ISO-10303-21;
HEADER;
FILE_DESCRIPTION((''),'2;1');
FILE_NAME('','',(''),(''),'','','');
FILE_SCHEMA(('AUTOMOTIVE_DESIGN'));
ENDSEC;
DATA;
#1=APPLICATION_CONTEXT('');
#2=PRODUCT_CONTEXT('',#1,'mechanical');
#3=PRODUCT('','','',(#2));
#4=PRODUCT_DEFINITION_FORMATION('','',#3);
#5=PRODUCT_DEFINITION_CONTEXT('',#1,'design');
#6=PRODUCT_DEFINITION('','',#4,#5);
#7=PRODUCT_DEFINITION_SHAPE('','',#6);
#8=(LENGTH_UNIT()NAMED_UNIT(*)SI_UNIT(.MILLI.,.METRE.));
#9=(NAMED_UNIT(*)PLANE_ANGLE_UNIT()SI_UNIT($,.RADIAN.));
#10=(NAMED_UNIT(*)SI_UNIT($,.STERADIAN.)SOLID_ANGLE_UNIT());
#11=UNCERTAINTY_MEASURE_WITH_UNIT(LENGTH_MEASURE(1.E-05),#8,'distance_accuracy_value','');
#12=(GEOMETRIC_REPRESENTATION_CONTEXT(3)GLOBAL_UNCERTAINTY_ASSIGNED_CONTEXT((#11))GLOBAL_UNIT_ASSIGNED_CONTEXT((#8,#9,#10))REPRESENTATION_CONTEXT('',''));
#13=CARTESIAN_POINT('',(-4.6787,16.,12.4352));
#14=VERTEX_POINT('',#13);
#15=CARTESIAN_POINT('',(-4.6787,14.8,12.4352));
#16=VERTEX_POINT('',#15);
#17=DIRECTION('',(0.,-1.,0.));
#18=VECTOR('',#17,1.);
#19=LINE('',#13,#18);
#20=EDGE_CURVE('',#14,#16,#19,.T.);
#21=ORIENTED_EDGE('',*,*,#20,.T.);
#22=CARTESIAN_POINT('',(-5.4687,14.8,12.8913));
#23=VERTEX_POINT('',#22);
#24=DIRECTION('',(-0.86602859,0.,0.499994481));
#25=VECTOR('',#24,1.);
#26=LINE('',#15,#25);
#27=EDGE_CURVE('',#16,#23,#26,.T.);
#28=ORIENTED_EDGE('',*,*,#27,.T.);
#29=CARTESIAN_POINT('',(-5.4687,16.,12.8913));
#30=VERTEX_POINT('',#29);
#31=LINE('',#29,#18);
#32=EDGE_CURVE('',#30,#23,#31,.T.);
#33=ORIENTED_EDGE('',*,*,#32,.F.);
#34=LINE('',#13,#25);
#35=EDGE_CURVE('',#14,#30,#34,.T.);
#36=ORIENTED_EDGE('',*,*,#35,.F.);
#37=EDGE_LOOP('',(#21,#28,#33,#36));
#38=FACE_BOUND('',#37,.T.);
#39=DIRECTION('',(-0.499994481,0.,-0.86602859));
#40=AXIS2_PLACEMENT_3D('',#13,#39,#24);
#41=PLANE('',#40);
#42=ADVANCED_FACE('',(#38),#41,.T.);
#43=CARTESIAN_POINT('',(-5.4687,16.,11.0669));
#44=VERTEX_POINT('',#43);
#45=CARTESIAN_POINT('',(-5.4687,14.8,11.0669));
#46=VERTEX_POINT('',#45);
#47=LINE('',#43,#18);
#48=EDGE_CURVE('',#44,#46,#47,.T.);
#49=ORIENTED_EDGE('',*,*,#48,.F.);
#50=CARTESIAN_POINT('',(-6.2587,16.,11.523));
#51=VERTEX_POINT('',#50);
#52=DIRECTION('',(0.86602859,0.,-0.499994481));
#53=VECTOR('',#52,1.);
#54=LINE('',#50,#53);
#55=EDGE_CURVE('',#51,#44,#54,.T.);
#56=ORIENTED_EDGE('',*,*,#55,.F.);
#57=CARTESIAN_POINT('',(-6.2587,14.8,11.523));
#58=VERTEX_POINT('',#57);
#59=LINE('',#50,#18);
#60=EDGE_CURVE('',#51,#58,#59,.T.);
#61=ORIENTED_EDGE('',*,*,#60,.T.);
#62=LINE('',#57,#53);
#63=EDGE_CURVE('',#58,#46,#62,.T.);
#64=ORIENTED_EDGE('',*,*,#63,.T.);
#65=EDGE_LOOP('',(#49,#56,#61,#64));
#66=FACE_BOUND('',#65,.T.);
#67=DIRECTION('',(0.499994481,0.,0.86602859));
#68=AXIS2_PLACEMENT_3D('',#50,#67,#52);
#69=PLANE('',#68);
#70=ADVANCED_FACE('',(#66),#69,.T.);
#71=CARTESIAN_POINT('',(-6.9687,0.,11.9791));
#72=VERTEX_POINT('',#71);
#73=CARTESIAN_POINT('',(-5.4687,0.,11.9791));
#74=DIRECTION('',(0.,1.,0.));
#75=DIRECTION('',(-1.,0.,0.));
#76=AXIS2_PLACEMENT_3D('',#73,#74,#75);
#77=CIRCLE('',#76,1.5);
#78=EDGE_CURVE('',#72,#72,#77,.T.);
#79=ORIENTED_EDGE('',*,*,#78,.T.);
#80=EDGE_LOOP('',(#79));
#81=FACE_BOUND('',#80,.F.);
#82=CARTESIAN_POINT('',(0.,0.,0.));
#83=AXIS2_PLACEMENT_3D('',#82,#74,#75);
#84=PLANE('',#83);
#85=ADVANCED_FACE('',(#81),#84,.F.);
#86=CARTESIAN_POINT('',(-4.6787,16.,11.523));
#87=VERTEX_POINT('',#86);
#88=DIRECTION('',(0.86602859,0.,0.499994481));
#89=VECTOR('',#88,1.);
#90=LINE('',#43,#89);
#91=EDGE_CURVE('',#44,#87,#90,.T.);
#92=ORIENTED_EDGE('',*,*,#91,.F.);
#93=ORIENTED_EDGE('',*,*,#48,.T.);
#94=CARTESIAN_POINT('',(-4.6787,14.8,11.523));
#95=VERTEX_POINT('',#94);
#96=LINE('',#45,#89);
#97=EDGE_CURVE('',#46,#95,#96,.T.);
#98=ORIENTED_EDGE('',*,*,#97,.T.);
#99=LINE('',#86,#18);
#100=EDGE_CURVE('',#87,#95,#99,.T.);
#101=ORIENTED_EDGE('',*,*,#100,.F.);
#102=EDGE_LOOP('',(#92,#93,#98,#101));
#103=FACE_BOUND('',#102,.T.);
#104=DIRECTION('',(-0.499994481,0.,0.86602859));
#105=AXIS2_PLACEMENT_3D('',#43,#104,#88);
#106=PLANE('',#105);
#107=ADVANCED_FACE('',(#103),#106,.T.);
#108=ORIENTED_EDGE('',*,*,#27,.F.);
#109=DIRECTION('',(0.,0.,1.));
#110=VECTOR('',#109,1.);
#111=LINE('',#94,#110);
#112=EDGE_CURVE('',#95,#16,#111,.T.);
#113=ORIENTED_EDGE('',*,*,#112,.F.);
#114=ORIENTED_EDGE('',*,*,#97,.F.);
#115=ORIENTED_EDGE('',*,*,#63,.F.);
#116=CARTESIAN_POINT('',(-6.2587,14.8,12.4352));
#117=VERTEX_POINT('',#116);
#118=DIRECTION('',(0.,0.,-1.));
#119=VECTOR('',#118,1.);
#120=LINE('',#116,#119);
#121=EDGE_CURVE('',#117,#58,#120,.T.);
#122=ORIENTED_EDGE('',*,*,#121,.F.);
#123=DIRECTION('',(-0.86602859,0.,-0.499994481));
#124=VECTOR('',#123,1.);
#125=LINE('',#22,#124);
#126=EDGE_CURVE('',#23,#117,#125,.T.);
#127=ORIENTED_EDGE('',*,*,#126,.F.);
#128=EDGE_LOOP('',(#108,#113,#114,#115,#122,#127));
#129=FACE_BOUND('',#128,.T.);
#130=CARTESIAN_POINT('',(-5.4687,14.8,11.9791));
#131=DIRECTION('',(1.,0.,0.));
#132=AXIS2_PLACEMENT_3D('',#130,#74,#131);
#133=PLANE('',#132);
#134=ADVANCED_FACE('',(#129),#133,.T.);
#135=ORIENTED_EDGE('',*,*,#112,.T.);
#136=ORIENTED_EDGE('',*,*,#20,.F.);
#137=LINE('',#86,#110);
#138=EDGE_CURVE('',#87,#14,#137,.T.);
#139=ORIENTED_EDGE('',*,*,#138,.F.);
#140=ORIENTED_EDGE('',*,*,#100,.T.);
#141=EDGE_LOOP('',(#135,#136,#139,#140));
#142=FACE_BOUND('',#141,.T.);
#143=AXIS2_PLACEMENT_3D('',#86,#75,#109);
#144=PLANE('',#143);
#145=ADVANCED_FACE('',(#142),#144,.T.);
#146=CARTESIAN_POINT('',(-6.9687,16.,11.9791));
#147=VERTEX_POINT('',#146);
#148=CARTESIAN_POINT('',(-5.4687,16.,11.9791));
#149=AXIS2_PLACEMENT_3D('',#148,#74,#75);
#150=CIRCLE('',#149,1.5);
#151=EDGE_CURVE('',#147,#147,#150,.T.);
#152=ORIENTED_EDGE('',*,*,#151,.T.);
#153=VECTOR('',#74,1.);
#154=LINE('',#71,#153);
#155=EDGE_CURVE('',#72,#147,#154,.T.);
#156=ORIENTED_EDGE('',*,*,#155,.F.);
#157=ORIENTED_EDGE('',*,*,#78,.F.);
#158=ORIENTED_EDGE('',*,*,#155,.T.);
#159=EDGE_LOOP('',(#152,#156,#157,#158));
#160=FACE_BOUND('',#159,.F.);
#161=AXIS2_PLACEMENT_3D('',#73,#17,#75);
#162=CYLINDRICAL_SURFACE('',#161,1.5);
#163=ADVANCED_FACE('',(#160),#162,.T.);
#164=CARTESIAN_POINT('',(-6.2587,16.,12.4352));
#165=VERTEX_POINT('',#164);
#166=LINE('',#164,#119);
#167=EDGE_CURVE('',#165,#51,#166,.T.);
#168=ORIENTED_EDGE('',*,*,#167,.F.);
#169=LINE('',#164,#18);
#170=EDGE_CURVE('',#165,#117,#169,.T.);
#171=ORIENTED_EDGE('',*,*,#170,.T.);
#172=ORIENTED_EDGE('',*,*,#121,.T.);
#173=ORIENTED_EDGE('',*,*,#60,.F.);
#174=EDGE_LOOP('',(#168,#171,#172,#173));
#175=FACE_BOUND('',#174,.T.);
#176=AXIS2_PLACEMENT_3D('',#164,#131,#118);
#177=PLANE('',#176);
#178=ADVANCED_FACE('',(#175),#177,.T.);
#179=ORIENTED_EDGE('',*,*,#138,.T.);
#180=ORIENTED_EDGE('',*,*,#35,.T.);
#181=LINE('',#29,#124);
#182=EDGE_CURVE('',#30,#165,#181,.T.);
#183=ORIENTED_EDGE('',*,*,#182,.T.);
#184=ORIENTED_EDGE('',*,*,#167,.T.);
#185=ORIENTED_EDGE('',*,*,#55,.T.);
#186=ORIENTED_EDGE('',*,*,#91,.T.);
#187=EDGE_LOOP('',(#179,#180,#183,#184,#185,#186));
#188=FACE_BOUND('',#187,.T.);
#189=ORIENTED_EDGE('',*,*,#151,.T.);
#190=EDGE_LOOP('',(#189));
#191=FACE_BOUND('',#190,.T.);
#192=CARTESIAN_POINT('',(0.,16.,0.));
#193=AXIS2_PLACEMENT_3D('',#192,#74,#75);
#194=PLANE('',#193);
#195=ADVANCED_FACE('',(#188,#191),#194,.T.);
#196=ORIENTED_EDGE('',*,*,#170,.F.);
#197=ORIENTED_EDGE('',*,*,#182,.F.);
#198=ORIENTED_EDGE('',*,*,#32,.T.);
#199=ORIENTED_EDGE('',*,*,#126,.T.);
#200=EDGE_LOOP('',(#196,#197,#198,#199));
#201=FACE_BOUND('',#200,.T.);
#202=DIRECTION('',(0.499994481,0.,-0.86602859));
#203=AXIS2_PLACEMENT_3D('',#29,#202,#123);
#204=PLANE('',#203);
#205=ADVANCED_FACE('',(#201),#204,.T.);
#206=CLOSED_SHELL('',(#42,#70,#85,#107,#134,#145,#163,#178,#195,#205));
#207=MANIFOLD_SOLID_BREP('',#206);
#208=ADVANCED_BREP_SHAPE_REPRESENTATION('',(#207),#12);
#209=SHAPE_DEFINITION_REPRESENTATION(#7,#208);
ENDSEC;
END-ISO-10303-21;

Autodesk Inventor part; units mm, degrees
ref_plane "YZ Plane" through (0, 0, 0) normal (1, 0, 0) x (0, 1, 0)
ref_plane "XZ Plane" through (0, 0, 0) normal (0, 1, 0) x (-1, 0, 0)
ref_plane "XY Plane" through (0, 0, 0) normal (0, 0, 1) x (1, 0, 0)
sketch "Boceto1" plane through (0, 0, 0) normal (0, 1, 0) x (-1, 0, 0)
  circle A0 centre (5.4687, 11.9791) radius 1.5
  point P0 (0, 0)
  dimension "d0" = 3
extrude "Extrusión1" add sketch "Boceto1" along normal blind 16
thread "Rosca1" size "M3x0.5" class "6g" standard "ANSI Metric M Profile" length 430
sketch "Boceto2" plane through (-5.4687, 16, 11.9791) normal (0, 1, 0) x (1, 0, 0)
  line L0 (0, 0.9122) -> (0.79, 0.4561)
  line L1 (0.79, 0.4561) -> (0.79, -0.4561)
  line L2 (0.79, -0.4561) -> (0, -0.9122)
  line L3 (0, -0.9122) -> (-0.79, -0.4561)
  line L4 (-0.79, -0.4561) -> (-0.79, 0.4561)
  line L5 (-0.79, 0.4561) -> (0, 0.9122)
  point P0 (5.4687, 11.9791)
  point P1 (0, 0)
  dimension "d5" = 1.58
extrude "Extrusión2" cut sketch "Boceto2" against normal blind 1.2
properties part number "Tornillo Gusano Allen M3x16mm"
